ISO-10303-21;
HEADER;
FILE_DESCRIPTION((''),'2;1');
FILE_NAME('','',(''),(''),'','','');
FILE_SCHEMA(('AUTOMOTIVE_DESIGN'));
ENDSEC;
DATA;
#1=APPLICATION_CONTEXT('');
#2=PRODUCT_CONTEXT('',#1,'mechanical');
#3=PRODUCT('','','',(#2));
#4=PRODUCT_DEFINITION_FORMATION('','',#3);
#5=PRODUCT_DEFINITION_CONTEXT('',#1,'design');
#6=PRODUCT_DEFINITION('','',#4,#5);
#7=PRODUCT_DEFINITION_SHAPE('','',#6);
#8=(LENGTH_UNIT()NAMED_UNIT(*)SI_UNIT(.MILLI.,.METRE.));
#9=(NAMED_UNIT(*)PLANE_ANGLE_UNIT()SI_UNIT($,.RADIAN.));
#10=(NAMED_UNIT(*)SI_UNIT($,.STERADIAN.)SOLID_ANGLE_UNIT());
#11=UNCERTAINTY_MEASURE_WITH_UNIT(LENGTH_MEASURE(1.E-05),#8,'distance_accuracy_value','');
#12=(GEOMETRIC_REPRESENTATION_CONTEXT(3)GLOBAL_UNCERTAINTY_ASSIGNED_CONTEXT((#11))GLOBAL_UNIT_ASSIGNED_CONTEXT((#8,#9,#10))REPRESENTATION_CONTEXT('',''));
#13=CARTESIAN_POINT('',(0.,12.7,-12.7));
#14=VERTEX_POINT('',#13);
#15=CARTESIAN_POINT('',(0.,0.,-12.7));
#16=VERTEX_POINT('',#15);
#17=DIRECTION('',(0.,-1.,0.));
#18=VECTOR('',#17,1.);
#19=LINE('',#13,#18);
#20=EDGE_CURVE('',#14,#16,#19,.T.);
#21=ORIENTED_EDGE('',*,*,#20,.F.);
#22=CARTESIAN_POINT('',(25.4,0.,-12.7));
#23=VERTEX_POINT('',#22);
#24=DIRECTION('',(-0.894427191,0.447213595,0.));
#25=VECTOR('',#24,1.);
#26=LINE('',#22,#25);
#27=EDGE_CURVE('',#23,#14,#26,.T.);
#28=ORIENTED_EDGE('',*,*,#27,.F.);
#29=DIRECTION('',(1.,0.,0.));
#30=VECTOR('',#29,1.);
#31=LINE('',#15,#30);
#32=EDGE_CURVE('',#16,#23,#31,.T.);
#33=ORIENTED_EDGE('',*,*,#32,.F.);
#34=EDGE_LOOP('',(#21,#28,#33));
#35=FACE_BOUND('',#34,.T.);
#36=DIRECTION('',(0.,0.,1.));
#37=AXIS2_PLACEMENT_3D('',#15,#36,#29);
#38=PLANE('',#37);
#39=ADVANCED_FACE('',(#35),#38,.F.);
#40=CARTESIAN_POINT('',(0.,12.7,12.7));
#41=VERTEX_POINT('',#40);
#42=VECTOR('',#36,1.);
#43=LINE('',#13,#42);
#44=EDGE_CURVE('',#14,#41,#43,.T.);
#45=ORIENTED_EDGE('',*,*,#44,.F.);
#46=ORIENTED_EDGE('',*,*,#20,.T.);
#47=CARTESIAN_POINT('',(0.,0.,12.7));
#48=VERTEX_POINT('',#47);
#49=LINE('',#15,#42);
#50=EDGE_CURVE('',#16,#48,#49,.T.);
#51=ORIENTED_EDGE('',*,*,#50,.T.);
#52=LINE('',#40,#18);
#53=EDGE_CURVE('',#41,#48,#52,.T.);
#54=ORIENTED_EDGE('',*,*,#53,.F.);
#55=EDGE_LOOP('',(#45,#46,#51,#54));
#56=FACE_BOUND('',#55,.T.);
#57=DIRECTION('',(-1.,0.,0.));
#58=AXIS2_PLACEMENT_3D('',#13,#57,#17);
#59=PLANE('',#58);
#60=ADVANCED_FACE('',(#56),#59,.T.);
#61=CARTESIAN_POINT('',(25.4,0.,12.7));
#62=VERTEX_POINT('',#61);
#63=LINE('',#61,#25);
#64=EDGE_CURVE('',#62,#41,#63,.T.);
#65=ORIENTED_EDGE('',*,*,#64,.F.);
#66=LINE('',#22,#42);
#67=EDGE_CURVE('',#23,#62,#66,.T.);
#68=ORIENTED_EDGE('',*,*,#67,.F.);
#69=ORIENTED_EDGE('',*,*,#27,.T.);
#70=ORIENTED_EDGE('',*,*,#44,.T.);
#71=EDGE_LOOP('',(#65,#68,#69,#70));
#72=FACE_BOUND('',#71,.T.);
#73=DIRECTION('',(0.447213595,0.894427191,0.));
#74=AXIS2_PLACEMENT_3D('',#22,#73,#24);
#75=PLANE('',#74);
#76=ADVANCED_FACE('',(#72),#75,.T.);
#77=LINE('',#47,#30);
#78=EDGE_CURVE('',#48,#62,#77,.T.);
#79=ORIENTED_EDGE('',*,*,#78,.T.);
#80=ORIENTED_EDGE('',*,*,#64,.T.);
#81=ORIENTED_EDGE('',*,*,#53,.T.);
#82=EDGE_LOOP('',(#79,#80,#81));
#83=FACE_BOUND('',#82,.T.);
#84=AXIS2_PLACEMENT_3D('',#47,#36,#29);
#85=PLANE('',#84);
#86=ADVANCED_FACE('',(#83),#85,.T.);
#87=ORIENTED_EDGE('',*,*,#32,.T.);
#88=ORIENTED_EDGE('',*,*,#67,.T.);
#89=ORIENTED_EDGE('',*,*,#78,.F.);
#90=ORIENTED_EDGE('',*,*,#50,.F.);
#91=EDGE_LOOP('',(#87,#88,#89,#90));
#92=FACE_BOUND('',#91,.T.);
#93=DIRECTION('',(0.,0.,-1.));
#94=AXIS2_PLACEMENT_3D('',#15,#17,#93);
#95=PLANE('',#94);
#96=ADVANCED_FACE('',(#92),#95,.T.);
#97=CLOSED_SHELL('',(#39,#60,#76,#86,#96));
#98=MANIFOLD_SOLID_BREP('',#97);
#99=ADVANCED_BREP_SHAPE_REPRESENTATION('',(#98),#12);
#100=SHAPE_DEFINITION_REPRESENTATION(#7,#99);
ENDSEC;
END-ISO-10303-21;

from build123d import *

# Parameters (mm, degrees)
BOSS_EXTRUDE1_DEPTH      = 12.7
BOSS_EXTRUDE1_DEPTH_BACK = 12.7


with BuildPart() as part:
    # Sketch1 → Boss-Extrude1 (new, two sides: drawn at the far end of the back side and taken through both)
    with BuildSketch(Plane.XY.offset(-BOSS_EXTRUDE1_DEPTH_BACK)):
        Polygon((0, 0), (25.4, 0), (0, 12.7), align=None)
    extrude(amount=BOSS_EXTRUDE1_DEPTH + BOSS_EXTRUDE1_DEPTH_BACK)


solid = part.part
